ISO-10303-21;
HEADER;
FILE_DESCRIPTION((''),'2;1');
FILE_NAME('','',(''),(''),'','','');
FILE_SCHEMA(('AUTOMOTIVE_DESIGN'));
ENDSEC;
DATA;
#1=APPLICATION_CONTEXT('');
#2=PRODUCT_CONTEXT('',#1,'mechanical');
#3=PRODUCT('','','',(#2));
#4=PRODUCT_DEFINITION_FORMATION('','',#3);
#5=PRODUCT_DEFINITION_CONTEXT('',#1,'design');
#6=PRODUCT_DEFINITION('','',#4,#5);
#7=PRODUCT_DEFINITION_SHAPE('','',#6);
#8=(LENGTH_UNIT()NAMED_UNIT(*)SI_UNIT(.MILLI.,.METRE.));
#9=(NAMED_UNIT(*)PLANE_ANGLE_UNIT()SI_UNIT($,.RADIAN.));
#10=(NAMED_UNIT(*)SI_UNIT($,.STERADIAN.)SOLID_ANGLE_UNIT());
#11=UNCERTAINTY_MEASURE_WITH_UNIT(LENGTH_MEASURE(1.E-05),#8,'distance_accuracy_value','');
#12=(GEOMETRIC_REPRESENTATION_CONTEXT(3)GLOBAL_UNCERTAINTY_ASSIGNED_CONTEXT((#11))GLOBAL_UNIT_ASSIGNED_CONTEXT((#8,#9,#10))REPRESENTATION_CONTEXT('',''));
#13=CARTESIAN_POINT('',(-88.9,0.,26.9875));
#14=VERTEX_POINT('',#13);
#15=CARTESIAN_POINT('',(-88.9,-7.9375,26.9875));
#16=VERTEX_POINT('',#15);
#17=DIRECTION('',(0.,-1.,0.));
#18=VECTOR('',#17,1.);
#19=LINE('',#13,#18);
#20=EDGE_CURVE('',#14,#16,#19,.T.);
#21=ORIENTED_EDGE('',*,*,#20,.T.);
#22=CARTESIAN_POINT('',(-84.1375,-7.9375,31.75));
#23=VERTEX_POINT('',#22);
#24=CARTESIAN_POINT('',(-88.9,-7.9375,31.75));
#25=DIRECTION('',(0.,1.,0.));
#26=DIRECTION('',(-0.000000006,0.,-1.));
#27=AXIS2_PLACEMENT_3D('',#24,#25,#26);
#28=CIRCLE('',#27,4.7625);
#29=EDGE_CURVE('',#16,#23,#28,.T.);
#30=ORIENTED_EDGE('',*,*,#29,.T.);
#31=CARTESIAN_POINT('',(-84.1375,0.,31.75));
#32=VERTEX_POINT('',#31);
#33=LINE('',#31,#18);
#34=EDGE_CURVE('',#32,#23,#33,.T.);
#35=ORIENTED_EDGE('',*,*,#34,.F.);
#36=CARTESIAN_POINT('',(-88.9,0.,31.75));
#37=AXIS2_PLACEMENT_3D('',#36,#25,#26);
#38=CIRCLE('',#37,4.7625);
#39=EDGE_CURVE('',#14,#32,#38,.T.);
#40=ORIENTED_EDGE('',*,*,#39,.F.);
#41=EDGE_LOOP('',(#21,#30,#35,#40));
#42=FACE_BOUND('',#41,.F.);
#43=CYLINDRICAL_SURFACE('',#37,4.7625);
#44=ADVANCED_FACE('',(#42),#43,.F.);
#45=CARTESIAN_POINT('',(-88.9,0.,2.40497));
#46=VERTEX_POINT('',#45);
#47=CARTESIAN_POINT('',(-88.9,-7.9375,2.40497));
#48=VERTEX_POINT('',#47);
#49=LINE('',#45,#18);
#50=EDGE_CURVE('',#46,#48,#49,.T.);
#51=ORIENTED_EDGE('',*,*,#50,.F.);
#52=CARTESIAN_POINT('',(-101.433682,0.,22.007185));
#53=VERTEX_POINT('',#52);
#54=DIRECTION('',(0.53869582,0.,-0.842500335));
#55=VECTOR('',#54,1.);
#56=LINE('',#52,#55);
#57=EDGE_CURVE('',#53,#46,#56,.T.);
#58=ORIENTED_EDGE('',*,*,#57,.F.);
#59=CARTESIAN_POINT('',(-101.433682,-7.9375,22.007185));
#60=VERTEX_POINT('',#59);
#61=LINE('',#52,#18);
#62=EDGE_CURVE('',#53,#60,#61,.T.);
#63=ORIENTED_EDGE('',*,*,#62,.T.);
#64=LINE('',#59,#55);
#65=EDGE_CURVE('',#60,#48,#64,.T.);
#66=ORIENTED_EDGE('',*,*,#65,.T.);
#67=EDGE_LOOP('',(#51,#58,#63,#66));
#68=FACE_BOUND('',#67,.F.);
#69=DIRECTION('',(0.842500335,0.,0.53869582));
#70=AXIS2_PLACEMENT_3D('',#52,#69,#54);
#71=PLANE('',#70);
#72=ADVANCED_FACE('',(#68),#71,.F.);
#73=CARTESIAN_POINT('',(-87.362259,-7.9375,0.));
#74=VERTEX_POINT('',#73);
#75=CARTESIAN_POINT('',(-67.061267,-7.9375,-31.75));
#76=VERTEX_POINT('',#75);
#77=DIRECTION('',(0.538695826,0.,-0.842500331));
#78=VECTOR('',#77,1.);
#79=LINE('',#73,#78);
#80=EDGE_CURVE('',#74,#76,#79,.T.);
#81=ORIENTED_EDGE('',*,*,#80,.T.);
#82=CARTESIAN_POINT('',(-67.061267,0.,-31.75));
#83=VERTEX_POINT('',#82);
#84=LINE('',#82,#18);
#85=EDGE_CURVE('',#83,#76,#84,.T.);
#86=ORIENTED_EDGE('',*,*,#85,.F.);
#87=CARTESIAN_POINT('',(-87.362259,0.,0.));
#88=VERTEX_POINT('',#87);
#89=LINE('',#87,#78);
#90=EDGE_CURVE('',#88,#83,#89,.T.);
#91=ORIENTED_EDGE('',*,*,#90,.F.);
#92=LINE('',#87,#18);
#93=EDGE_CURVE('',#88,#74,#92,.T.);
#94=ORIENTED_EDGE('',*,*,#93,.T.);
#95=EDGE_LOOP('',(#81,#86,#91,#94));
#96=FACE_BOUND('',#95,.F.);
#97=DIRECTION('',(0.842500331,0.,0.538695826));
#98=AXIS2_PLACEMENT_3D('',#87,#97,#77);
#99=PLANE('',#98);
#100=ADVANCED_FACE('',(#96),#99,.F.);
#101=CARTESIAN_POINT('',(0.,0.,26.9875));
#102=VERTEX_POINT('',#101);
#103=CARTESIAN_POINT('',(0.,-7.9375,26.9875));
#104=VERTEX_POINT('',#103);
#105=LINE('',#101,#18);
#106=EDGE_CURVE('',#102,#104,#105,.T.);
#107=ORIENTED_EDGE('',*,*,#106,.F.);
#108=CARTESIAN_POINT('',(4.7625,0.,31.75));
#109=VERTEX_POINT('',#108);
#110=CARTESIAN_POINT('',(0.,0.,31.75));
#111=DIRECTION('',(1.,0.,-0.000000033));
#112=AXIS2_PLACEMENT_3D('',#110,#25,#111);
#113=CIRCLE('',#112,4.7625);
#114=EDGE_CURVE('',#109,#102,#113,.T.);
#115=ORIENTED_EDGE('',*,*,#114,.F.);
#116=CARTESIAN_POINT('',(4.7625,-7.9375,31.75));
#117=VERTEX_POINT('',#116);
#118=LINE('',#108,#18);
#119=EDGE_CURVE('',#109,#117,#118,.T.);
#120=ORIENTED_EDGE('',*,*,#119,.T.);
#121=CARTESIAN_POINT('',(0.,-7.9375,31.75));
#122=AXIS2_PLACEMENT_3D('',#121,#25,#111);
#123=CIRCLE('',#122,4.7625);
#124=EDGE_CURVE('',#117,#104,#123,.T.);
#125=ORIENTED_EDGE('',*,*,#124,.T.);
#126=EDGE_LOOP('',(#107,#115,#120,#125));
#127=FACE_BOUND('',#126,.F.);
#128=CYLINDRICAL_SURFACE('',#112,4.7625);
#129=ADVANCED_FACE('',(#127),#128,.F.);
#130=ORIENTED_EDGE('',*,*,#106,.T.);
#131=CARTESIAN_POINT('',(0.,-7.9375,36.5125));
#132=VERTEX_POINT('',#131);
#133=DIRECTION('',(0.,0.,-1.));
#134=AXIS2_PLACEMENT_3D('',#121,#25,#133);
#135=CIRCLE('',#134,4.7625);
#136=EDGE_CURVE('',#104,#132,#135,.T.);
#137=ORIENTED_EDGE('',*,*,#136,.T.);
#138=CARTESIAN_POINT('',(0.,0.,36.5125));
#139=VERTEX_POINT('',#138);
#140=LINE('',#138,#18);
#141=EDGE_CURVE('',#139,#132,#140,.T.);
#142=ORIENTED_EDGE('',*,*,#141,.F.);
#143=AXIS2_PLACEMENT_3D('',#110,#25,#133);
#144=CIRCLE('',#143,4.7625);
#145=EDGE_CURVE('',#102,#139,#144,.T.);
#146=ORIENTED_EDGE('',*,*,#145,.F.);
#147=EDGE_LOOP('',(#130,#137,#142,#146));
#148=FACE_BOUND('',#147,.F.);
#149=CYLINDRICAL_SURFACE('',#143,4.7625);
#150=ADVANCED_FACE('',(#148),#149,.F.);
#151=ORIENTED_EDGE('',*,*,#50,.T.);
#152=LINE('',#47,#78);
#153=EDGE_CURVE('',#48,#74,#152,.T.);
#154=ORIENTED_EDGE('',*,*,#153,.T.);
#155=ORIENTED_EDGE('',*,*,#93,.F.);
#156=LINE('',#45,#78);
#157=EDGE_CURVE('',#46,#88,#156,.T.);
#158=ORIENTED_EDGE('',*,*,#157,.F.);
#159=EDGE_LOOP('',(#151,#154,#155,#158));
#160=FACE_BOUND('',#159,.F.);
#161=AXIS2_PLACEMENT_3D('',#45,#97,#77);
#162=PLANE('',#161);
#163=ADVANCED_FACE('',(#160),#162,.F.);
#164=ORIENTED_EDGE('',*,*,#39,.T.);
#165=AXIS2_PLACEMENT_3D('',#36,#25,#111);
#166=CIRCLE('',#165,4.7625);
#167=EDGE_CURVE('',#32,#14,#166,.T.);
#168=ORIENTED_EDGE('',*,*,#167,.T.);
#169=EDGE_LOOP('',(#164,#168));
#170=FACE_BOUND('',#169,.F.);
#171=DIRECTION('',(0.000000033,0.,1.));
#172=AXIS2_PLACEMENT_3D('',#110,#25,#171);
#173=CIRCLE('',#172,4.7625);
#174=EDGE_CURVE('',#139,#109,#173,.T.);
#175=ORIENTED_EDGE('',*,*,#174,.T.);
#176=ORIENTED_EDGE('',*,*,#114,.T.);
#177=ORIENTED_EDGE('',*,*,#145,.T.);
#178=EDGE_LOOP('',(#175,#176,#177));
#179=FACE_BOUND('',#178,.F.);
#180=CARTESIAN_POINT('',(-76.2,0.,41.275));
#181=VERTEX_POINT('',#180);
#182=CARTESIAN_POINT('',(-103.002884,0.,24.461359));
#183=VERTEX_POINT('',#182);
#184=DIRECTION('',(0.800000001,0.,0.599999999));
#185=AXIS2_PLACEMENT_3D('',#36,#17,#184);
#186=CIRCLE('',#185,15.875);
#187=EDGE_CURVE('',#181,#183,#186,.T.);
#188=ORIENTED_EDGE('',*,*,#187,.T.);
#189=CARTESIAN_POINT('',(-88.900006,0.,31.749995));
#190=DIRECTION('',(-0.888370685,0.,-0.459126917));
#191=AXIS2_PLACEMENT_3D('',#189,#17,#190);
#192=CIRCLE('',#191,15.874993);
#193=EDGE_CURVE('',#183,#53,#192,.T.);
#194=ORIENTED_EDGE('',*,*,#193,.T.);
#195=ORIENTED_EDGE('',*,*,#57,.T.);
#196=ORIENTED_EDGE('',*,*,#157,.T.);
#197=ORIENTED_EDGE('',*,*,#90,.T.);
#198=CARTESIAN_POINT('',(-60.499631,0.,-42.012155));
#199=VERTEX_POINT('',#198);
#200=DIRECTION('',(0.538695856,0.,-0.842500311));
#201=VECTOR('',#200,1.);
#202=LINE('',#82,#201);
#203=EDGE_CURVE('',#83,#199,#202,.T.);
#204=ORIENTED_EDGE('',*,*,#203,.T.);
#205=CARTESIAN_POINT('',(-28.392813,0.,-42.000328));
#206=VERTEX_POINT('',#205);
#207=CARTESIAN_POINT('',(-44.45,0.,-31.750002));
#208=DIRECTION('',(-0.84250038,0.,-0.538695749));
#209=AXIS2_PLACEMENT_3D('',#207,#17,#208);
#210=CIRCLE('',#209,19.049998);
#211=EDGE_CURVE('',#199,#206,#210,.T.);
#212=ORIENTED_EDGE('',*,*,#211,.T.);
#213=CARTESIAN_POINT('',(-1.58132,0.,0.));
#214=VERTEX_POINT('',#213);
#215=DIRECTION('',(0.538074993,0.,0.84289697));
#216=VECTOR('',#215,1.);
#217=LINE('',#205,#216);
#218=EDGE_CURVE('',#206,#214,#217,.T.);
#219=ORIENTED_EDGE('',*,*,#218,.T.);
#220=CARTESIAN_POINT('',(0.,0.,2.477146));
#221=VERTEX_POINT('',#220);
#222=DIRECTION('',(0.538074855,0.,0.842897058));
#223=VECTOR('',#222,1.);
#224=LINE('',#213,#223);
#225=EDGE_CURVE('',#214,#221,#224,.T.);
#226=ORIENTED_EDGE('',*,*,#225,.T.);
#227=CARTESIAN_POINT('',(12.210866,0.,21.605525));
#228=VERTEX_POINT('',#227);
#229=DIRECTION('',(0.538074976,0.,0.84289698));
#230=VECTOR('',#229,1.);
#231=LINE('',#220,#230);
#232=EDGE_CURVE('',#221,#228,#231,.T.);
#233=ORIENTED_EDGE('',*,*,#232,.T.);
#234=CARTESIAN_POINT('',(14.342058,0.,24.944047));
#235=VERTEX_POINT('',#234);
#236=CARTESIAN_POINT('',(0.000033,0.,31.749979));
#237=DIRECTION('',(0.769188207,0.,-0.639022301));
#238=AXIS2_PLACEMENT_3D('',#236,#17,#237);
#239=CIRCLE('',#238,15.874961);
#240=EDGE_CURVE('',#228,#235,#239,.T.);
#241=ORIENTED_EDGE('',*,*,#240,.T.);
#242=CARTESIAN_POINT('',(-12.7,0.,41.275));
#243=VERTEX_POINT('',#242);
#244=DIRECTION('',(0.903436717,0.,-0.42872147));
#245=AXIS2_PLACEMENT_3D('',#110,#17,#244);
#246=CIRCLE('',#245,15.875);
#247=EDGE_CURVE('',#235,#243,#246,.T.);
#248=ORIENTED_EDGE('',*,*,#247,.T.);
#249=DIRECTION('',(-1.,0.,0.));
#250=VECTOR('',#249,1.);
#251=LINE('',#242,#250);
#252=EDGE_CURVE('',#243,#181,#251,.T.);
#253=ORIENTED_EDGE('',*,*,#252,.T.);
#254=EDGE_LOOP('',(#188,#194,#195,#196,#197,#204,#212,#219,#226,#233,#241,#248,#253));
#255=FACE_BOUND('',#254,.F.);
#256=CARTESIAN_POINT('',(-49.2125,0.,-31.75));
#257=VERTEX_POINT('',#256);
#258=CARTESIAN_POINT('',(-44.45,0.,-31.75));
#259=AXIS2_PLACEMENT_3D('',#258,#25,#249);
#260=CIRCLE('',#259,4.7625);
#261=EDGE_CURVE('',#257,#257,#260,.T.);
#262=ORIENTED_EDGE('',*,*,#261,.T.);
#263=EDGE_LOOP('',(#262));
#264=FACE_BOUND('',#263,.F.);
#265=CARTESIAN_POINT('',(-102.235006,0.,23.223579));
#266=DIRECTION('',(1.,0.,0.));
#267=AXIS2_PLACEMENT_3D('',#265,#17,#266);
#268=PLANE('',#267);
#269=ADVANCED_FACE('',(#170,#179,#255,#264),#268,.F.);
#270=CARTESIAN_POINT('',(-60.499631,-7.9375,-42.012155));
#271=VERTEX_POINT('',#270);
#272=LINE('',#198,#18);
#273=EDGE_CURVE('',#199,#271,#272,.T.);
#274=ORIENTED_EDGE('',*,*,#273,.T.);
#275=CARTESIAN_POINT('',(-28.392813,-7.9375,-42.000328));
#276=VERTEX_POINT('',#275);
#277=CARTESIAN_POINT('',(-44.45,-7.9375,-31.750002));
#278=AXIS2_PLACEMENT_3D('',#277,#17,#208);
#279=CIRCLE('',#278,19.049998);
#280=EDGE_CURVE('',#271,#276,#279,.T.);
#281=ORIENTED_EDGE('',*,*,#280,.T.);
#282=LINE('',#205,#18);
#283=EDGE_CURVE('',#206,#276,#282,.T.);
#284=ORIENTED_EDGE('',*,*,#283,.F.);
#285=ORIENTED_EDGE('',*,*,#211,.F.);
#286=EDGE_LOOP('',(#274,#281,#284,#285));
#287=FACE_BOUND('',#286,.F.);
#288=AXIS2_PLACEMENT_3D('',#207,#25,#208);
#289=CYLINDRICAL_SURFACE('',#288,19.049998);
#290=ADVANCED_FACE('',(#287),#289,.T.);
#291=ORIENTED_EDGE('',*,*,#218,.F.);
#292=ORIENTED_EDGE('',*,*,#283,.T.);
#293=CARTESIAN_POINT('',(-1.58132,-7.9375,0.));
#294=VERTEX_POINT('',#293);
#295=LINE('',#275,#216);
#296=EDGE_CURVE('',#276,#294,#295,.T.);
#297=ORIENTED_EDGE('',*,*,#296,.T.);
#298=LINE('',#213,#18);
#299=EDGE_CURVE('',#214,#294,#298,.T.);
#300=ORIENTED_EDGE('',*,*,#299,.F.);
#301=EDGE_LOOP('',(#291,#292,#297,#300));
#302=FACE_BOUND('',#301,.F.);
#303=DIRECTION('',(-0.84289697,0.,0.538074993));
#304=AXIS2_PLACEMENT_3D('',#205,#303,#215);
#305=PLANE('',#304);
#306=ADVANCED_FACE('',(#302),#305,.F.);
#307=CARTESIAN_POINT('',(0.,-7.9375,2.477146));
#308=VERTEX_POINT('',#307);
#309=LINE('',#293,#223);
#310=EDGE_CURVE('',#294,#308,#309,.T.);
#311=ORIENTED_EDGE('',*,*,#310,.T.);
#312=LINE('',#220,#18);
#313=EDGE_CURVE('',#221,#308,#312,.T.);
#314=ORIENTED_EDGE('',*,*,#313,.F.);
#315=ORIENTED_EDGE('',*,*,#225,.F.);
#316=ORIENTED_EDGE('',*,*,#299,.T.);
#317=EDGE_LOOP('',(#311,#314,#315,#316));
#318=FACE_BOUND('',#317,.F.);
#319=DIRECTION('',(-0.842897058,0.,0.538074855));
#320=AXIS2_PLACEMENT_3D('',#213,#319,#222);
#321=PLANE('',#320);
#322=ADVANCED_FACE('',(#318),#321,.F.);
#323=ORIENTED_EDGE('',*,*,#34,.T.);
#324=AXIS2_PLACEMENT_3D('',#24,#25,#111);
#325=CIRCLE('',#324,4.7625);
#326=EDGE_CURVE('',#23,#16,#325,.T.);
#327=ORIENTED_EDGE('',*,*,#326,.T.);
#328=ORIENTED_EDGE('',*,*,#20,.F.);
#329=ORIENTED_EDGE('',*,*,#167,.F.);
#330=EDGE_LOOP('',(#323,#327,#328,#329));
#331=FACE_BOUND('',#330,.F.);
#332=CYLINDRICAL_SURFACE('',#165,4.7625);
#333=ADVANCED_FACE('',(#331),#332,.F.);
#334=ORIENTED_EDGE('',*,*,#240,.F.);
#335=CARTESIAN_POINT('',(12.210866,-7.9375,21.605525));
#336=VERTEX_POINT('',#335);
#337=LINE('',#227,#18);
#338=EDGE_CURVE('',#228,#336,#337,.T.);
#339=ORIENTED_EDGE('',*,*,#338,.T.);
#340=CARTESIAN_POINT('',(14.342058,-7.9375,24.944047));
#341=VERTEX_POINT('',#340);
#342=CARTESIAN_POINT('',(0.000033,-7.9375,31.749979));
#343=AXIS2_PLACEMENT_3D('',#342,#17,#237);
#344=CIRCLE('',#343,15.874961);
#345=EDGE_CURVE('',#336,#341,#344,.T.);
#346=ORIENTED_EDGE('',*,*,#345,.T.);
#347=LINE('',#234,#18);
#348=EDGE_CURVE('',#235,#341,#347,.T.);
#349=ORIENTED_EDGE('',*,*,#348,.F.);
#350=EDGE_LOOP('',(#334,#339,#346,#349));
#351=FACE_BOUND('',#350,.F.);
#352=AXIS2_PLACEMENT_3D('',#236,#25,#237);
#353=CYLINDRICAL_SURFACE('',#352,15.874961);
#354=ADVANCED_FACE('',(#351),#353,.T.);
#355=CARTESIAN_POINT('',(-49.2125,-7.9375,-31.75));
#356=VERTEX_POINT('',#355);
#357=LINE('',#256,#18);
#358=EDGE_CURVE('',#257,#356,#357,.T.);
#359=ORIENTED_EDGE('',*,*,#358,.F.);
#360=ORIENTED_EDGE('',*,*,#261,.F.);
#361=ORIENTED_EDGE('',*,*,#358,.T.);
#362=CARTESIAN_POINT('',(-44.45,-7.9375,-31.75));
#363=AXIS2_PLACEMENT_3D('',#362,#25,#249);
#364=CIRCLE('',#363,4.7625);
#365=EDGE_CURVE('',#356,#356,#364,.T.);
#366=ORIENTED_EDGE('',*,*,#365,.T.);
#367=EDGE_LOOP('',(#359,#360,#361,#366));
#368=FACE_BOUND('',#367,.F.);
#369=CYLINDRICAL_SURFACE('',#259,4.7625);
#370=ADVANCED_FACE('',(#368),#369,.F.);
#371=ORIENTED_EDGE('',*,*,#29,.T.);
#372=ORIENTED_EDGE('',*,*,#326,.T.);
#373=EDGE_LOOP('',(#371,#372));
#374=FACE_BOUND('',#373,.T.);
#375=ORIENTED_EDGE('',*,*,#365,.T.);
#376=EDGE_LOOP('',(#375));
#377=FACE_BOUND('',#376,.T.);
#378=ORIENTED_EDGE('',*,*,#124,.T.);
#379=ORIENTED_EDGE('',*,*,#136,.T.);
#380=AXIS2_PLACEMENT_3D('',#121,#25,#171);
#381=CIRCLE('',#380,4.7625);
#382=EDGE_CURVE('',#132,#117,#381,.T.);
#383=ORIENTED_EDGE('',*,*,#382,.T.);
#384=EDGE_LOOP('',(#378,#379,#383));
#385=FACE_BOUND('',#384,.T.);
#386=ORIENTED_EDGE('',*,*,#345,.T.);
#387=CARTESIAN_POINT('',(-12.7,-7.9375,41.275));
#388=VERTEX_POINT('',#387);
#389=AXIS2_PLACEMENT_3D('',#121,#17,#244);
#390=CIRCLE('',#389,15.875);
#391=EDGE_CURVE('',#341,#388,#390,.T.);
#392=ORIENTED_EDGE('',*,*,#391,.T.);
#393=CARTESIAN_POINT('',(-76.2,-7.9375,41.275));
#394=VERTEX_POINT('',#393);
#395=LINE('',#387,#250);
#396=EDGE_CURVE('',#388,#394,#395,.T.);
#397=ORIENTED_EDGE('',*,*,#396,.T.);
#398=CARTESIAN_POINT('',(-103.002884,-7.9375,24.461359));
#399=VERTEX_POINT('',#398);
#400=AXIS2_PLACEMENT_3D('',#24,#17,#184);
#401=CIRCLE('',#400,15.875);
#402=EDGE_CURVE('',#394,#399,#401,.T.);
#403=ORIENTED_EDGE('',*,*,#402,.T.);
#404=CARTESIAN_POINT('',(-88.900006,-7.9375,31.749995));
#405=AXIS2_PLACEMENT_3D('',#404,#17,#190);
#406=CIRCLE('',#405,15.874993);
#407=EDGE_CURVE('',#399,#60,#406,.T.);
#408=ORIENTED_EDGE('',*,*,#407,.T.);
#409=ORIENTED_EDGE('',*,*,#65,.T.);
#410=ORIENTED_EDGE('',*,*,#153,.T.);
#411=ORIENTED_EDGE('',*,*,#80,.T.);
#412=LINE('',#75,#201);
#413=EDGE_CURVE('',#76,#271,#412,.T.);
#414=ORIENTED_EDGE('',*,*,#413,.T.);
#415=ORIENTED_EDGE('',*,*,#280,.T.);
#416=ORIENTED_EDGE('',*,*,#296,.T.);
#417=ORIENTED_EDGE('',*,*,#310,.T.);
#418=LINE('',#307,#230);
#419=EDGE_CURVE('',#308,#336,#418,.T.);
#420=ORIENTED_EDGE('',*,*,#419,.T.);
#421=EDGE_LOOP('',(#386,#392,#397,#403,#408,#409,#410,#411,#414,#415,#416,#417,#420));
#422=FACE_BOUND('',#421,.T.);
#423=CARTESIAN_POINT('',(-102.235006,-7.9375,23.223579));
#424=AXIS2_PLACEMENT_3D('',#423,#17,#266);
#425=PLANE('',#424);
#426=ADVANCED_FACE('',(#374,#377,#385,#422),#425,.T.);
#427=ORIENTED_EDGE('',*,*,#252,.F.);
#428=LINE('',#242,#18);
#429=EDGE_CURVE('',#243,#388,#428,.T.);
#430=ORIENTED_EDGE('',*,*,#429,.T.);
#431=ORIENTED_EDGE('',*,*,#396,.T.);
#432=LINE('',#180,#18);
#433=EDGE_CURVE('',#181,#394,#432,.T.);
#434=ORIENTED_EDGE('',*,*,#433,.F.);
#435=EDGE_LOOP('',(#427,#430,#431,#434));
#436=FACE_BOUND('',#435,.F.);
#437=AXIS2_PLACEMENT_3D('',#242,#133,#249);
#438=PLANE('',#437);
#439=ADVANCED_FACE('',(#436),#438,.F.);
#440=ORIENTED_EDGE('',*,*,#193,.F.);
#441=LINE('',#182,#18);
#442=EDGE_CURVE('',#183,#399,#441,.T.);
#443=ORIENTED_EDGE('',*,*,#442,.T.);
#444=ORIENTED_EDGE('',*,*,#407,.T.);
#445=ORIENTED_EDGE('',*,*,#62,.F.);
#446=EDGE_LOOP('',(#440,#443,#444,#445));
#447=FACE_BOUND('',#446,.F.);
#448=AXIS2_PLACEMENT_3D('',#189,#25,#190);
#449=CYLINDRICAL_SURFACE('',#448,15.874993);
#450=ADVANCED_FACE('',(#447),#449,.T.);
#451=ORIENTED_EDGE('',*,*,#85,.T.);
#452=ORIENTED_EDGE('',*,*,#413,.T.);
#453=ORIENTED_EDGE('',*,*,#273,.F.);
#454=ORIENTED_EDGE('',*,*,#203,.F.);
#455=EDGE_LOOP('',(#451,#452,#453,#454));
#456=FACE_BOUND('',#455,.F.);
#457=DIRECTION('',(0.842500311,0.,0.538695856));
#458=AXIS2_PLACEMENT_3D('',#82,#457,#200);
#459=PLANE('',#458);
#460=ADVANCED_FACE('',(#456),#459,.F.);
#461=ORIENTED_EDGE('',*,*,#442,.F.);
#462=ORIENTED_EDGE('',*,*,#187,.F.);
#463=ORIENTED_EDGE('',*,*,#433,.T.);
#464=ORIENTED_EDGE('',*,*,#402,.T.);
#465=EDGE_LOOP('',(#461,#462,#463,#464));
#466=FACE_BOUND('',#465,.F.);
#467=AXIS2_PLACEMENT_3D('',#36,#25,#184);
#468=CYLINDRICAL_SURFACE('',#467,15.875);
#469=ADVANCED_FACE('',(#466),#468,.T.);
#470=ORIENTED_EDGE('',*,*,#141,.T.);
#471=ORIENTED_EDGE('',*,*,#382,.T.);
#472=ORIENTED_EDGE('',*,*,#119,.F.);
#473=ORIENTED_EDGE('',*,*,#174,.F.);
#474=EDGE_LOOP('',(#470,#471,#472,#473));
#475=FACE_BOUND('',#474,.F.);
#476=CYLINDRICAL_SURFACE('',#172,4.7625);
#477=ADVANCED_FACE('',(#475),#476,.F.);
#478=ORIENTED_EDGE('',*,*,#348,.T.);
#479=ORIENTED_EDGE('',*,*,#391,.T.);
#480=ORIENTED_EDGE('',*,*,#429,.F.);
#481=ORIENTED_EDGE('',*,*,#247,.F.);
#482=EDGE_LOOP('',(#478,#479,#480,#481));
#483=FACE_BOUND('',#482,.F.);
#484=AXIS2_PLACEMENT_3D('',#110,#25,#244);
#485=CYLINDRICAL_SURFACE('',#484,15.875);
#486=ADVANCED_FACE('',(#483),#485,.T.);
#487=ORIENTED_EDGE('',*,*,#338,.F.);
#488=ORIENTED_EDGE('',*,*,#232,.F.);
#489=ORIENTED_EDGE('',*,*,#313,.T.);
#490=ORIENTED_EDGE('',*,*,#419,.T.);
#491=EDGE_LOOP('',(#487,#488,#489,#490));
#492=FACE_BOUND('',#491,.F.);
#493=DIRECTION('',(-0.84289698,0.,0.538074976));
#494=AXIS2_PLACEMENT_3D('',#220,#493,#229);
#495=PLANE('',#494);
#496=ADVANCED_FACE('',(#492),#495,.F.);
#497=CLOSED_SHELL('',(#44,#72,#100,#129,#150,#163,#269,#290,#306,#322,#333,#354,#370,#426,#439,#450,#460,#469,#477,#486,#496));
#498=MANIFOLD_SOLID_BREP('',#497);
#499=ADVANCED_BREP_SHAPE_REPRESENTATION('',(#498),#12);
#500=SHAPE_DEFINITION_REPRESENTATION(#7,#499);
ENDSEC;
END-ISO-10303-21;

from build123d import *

# Parameters (mm, degrees)
F1_DEPTH = 7.9375


with BuildPart() as f1:
    # F0 (on Front) → F1 (new body)
    with BuildSketch(Plane.XZ):
        with BuildLine():
            ThreePointArc((-103.002884, 24.461359), (-102.274693, 23.198204), (-101.433682, 22.007185))
            Line((-101.433682, 22.007185), (-103.002884, 24.461359))
        make_face()
        with BuildLine():
            Line((14.342058, 24.944047), (12.210866, 21.605525))
            ThreePointArc((12.210866, 21.605525), (13.38099, 23.20806), (14.342058, 24.944047))
        make_face()
        with BuildLine():
            Line((-28.392813, -42.000328), (-1.58132, 0))
            Line((-1.58132, 0), (-87.362259, 0))
            Line((-87.362259, 0), (-67.061267, -31.75))
            Line((-67.061267, -31.75), (-60.499631, -42.012155))
            ThreePointArc((-60.499631, -42.012155), (-44.442983, -50.799999), (-28.392813, -42.000328))
        make_face()
        with BuildLine():
            ThreePointArc((-39.6875, -31.75), (-44.45, -36.5125), (-49.2125, -31.75))
            ThreePointArc((-49.2125, -31.75), (-44.45, -26.9875), (-39.6875, -31.75))
        make_face(mode=Mode.SUBTRACT)
        with BuildLine():
            Line((-87.362259, 0), (-1.58132, 0))
            Line((-1.58132, 0), (0, 2.477146))
            Line((0, 2.477146), (12.210866, 21.605525))
            Line((12.210866, 21.605525), (14.342058, 24.944047))
            ThreePointArc((14.342058, 24.944047), (8.206649, 45.339207), (-12.7, 41.275))
            Line((-12.7, 41.275), (-76.2, 41.275))
            ThreePointArc((-76.2, 41.275), (-97.336033, 45.19801), (-103.002884, 24.461359))
            Line((-103.002884, 24.461359), (-101.433682, 22.007185))
            Line((-101.433682, 22.007185), (-88.9, 2.40497))
            Line((-88.9, 2.40497), (-87.362259, 0))
        make_face()
        with BuildLine():
            ThreePointArc((-84.1375, 31.75), (-85.532404, 28.382404), (-88.9, 26.9875))
            ThreePointArc((-88.9, 26.9875), (-92.267596, 35.117596), (-84.1375, 31.75))
        make_face(mode=Mode.SUBTRACT)
        with BuildLine():
            ThreePointArc((4.7625, 31.75), (3.367596, 28.382404), (0, 26.9875))
            ThreePointArc((0, 26.9875), (-4.7625, 31.75), (0, 36.5125))
            ThreePointArc((0, 36.5125), (3.367596, 35.117596), (4.7625, 31.75))
        make_face(mode=Mode.SUBTRACT)
    extrude(amount=F1_DEPTH)


solid = f1.part
